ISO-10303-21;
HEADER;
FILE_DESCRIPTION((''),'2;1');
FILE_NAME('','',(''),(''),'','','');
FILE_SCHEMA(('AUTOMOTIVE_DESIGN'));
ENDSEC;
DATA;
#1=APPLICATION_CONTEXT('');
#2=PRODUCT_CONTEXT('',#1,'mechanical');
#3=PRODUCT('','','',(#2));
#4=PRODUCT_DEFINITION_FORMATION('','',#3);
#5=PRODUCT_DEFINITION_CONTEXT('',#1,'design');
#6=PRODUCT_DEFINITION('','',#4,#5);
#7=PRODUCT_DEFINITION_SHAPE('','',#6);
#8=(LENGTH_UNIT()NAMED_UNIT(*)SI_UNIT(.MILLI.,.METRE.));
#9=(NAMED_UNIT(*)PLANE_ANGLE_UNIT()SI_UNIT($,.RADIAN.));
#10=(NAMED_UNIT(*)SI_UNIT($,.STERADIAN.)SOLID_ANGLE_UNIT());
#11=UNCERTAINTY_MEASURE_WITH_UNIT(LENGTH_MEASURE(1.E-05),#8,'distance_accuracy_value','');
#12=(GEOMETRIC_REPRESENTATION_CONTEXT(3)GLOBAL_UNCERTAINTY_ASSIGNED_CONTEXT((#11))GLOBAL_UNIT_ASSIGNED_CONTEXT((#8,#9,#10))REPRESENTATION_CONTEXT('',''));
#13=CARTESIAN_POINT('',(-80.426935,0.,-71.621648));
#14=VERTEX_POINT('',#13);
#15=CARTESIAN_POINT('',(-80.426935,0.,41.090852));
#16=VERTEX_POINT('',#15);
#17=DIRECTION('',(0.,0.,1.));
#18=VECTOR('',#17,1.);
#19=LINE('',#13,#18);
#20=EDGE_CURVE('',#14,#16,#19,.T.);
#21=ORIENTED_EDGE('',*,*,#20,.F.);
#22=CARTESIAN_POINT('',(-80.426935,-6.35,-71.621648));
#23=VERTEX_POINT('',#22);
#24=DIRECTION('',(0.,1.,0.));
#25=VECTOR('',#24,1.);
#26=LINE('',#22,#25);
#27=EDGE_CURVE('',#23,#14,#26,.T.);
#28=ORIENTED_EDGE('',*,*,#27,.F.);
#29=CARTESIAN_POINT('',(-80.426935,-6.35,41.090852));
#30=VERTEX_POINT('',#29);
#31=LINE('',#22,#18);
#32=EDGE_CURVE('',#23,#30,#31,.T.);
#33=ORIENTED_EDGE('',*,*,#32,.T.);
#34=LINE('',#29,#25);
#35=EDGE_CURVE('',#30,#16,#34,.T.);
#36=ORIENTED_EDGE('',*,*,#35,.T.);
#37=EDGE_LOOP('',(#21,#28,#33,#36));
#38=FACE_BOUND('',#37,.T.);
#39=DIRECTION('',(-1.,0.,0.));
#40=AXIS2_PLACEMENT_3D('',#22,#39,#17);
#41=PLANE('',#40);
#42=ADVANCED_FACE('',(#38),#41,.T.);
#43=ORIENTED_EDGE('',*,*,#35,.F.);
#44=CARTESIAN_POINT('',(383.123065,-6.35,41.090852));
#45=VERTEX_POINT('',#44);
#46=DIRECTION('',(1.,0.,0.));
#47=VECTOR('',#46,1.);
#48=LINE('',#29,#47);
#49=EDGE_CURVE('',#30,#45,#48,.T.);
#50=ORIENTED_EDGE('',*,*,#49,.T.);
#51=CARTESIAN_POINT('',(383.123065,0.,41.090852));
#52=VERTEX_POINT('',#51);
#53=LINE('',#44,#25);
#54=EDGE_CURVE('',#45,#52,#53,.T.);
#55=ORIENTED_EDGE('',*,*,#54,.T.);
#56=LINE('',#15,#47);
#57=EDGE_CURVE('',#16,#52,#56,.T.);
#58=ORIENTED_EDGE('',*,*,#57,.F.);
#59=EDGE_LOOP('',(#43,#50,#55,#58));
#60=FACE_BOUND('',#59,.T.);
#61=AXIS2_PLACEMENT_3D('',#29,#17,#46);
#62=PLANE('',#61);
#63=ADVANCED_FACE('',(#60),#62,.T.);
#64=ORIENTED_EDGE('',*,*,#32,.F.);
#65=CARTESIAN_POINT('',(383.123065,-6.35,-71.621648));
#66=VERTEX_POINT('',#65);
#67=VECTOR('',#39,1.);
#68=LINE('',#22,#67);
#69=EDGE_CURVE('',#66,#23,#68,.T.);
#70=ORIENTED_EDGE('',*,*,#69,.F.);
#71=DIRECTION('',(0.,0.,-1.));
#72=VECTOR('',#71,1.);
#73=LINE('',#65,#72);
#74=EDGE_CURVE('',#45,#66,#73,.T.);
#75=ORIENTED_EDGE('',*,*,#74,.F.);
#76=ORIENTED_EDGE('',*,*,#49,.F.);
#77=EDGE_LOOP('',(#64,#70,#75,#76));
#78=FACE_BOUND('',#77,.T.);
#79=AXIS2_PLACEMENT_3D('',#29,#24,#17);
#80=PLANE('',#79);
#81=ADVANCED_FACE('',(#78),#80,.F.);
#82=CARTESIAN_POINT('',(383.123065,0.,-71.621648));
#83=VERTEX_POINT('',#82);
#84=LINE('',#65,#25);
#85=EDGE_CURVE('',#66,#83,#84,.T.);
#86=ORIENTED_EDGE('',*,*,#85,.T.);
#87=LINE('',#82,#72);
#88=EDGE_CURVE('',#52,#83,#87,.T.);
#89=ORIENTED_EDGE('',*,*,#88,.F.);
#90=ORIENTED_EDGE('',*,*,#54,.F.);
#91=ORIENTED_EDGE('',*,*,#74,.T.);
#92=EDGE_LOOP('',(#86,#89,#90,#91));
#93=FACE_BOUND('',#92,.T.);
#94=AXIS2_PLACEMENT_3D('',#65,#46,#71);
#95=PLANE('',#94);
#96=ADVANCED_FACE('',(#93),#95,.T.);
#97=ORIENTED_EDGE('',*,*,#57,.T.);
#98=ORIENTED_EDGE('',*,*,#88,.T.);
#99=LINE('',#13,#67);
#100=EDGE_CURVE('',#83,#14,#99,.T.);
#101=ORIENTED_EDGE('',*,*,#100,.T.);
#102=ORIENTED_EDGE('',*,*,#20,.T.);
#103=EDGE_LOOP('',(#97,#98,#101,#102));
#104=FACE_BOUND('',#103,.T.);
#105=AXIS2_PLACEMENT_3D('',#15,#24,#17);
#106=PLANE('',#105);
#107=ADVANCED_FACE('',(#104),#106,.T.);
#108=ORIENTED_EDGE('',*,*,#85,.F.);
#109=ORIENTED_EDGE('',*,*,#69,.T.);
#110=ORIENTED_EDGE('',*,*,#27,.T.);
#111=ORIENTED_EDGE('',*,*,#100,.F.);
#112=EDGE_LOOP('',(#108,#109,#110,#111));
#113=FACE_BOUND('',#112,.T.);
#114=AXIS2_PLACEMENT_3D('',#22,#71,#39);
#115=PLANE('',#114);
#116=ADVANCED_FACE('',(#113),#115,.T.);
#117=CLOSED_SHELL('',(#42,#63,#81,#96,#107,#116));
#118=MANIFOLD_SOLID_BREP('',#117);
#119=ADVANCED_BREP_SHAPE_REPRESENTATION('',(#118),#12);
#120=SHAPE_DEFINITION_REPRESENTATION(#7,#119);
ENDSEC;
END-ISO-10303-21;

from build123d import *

# Parameters (mm, degrees)
SKETCH1_W           = 463.55
SKETCH1_H           = 112.7125
BOSS_EXTRUDE1_DEPTH = 6.35


with BuildPart() as part:
    # Sketch1 → Boss-Extrude1 (new body)
    with BuildSketch(Plane(origin=(0, 0, 0), x_dir=(1, 0, 0), z_dir=(0, 1, 0))):
        with Locations((151.348065309, 15.265397912)):
            Rectangle(SKETCH1_W, SKETCH1_H)
    extrude(amount=-BOSS_EXTRUDE1_DEPTH)


solid = part.part
